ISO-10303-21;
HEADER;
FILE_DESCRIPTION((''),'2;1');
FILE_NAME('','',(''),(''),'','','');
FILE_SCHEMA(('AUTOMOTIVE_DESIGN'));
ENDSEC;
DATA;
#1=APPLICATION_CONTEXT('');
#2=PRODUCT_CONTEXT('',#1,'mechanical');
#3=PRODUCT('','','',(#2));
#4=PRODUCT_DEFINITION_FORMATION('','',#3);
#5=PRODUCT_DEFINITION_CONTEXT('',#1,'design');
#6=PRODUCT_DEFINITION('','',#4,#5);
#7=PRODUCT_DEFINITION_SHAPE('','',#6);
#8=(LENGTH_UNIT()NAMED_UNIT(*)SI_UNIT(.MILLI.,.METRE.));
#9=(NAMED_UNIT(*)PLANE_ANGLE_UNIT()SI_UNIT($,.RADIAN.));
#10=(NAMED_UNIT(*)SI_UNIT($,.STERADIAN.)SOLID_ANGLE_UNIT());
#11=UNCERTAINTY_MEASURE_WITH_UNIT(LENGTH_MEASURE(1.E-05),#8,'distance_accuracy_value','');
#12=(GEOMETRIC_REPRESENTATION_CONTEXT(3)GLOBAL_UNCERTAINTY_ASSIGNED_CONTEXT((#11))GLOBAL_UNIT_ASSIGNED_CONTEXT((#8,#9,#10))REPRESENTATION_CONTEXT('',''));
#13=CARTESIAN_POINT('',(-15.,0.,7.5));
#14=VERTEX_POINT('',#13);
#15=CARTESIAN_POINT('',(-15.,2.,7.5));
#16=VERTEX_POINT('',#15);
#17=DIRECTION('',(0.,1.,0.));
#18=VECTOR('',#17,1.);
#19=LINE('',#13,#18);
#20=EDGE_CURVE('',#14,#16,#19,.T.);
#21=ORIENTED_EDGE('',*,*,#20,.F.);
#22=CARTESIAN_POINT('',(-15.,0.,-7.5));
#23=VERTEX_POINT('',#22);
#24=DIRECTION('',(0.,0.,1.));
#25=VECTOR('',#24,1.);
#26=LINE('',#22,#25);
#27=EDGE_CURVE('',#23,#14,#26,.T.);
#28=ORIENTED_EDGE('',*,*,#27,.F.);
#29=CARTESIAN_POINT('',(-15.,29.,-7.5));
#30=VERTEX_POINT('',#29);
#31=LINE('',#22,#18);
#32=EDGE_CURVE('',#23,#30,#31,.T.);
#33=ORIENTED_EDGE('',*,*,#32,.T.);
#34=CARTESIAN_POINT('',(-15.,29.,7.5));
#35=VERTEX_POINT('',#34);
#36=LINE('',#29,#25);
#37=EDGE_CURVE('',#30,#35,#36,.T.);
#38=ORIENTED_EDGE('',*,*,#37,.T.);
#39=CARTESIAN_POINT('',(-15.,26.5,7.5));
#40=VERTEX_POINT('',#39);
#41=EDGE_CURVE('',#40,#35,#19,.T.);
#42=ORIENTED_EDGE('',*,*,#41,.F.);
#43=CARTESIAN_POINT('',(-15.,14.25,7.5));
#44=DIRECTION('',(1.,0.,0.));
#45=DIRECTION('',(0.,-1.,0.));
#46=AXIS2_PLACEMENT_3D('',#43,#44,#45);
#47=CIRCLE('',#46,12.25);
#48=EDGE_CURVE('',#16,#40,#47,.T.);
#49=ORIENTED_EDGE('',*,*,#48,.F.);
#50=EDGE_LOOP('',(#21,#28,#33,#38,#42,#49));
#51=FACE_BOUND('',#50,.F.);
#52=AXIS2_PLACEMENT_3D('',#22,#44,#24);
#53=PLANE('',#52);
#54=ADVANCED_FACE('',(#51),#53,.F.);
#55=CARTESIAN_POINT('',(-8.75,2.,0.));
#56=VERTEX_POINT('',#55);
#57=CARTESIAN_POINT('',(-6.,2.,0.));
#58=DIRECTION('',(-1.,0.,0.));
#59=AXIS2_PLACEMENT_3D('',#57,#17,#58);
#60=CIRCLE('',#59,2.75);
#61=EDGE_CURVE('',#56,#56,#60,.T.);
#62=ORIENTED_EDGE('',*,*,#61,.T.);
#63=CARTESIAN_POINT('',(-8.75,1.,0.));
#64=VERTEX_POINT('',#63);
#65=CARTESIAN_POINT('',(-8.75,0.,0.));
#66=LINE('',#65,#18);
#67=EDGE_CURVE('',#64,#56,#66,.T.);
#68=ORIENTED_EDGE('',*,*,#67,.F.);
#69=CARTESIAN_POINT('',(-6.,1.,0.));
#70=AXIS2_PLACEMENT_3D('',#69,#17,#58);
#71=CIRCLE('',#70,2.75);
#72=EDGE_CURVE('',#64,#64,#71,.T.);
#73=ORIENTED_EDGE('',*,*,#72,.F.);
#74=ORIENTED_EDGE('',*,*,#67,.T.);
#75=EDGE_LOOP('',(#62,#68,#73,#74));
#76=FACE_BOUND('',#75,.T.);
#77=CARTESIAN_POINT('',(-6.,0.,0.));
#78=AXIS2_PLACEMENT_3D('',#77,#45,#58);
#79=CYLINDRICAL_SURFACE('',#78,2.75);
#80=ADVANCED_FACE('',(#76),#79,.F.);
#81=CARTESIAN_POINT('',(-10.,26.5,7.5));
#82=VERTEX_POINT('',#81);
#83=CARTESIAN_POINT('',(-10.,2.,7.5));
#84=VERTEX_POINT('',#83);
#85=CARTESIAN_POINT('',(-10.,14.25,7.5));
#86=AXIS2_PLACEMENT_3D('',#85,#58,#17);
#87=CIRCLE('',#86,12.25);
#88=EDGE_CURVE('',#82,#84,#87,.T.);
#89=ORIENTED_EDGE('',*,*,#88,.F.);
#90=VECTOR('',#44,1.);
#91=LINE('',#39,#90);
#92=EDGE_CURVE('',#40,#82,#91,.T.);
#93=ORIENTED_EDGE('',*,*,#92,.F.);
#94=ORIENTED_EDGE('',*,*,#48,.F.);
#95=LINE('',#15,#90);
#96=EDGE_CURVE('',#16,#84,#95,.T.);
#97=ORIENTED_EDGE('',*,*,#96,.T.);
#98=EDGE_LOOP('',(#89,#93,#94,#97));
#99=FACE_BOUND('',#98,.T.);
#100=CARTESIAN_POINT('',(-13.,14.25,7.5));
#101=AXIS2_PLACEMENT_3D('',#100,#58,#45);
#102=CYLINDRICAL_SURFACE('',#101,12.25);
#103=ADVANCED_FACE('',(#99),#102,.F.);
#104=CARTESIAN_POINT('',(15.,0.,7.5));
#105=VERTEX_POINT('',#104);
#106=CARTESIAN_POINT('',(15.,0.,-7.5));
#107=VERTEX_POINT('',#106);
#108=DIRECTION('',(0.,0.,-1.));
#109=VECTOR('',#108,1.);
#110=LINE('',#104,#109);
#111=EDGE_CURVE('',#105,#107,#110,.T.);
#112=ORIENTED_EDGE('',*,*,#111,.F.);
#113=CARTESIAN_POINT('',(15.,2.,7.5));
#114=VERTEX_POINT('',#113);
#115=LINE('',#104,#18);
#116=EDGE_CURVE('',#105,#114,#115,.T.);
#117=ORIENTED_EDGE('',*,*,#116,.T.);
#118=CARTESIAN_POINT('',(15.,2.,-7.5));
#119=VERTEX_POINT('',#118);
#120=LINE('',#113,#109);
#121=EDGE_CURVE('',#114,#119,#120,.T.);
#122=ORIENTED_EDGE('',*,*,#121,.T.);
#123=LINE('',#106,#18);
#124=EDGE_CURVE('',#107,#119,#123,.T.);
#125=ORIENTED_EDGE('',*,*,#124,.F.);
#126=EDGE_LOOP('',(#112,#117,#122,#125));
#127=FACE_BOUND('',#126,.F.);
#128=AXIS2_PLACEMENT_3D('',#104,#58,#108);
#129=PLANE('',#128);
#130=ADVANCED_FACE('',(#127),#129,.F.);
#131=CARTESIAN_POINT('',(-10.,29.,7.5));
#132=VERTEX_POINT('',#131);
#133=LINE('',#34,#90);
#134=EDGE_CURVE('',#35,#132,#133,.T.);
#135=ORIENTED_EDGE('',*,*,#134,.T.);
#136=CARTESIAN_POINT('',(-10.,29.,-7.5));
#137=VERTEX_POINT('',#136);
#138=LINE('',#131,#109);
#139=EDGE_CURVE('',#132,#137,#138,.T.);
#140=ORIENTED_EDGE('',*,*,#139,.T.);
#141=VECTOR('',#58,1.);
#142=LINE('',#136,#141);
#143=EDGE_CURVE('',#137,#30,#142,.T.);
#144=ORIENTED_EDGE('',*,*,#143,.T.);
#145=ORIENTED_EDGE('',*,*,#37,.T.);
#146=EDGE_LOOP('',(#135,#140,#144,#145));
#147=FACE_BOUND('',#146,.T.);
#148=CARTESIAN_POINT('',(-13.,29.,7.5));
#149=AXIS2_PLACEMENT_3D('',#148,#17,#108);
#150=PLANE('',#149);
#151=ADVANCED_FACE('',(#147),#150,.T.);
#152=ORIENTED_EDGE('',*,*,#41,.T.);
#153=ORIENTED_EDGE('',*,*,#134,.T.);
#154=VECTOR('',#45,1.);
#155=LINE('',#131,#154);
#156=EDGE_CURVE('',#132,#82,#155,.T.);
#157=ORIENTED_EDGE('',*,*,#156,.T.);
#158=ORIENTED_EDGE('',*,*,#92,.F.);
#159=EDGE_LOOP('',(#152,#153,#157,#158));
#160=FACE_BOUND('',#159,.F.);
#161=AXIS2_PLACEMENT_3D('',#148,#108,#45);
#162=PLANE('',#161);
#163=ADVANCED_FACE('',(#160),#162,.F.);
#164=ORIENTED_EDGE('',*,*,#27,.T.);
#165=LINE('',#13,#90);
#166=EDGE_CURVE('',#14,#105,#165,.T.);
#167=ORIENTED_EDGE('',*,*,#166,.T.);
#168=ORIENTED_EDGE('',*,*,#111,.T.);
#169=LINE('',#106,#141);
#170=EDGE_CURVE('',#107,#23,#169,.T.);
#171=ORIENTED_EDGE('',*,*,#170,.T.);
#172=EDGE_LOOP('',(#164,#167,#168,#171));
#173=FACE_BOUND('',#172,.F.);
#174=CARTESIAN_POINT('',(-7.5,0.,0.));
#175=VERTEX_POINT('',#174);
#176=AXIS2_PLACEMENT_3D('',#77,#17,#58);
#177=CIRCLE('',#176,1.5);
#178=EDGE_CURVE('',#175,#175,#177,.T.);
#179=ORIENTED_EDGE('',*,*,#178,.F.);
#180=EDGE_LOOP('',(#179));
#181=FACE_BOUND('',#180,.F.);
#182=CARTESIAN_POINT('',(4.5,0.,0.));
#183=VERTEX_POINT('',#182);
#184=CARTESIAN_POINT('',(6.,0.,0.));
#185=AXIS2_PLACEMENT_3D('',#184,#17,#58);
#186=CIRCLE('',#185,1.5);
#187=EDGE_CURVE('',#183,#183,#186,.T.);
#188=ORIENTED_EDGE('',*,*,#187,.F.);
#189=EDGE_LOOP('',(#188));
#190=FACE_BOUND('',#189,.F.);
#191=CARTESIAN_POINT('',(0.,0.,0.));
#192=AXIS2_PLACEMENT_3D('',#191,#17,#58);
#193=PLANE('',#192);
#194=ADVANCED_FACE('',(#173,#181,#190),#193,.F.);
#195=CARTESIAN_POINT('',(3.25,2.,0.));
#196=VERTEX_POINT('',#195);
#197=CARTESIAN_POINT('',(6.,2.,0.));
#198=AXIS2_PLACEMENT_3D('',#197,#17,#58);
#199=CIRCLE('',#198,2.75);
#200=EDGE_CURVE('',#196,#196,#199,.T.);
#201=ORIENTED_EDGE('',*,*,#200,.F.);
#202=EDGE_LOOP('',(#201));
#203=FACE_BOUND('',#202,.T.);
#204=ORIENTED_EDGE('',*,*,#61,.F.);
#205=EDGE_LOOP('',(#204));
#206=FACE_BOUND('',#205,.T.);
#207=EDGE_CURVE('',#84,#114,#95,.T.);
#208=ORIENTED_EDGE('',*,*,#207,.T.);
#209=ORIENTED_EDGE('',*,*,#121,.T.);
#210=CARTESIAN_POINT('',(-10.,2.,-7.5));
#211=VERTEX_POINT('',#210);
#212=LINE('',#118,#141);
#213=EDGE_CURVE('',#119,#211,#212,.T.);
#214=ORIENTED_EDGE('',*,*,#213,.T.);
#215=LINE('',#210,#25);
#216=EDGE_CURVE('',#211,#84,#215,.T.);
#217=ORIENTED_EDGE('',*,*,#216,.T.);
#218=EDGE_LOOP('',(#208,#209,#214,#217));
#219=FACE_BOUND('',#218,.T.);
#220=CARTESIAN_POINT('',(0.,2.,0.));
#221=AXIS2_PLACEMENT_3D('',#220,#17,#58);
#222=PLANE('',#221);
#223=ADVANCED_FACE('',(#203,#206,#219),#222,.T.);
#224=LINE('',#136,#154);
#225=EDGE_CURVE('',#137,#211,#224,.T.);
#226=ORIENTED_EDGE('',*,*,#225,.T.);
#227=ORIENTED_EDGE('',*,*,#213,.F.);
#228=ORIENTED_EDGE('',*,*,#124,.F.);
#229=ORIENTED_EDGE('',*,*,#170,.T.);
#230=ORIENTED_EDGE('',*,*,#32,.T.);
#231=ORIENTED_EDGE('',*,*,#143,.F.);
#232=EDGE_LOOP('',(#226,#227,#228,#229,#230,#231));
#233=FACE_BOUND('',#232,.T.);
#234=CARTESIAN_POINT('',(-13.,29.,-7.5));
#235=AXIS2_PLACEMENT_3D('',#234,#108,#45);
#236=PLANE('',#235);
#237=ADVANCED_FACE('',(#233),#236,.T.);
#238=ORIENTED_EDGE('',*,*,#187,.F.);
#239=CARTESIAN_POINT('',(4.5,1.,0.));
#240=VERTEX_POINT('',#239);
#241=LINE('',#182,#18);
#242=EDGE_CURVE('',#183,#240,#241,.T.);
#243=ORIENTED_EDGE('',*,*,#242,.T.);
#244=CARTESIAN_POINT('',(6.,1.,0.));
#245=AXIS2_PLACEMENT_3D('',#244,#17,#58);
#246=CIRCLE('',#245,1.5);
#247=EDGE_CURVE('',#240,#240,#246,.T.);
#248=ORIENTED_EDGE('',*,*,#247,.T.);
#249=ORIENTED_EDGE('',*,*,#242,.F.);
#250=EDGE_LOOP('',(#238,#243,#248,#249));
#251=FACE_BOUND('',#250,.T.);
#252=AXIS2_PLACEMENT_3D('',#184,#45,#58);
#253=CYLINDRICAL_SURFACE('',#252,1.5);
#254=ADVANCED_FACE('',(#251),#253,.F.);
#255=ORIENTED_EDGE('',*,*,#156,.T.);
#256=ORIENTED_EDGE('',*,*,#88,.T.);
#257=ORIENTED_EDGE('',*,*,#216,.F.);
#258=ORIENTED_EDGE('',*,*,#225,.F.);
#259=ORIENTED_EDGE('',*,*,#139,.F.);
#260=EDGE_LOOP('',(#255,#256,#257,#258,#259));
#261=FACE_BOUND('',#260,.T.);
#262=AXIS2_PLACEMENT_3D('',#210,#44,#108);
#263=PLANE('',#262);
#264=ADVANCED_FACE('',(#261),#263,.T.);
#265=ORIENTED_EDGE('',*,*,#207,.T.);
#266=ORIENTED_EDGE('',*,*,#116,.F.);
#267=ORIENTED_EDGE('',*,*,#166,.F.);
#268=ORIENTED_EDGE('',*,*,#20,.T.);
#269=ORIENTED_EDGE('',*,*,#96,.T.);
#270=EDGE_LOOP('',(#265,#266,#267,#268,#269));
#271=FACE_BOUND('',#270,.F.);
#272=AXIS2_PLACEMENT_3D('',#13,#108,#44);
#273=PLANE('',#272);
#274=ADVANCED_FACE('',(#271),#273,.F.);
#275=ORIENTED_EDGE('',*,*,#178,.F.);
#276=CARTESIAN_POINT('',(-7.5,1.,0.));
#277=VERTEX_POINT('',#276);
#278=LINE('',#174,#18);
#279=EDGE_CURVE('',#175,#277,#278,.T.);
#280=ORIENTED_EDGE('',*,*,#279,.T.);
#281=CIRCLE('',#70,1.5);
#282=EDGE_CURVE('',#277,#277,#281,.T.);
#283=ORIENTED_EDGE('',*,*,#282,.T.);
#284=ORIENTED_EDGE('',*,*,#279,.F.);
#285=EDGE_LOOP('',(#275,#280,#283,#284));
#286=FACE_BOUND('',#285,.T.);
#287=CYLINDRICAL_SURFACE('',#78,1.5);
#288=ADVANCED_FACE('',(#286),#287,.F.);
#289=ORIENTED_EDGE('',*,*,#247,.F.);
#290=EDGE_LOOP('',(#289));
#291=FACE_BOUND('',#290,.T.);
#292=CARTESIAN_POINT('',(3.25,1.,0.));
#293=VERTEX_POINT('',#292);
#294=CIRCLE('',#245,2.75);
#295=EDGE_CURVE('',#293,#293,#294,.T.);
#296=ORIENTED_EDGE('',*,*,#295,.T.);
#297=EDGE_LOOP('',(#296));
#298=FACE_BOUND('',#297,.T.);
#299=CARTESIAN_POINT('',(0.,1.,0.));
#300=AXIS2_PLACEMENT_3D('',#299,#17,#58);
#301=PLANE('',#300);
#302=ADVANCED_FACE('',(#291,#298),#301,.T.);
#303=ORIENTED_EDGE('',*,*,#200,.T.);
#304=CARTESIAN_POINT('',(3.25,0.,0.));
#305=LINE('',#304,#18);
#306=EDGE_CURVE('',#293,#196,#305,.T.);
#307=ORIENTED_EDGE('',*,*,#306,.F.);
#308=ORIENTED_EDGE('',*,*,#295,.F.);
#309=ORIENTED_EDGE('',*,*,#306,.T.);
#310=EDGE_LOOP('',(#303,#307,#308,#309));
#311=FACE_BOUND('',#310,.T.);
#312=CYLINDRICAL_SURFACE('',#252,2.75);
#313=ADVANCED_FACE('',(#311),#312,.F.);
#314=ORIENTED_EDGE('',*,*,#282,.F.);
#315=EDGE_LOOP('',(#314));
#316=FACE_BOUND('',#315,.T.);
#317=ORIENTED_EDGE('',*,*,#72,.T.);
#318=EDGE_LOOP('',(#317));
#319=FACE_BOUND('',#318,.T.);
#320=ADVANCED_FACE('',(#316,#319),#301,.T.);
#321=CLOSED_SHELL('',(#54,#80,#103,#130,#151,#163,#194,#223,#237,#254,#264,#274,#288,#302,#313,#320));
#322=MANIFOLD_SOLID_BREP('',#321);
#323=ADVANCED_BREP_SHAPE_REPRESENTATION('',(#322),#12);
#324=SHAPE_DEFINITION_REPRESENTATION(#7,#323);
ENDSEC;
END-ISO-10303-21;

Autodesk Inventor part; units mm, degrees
ref_plane "YZ Plane" through (0, 0, 0) normal (1, 0, 0) x (0, 1, 0)
ref_plane "XZ Plane" through (0, 0, 0) normal (0, 1, 0) x (-1, 0, 0)
ref_plane "XY Plane" through (0, 0, 0) normal (0, 0, 1) x (1, 0, 0)
sketch "Sketch1" plane through (0, 0, 0) normal (0, 1, 0) x (-1, 0, 0)
  line L0 (15, 7.5) -> (-15, 7.5)
  line L1 (-15, 7.5) -> (-15, -7.5)
  line L2 (-15, -7.5) -> (15, -7.5)
  line L3 (15, -7.5) -> (15, 7.5)
  line L4 (15, 7.5) -> (-15, -7.5) construction
  line L5 (-15, 7.5) -> (15, -7.5) construction
  line L6 (15, 7.5) -> (13, 7.5)
  line L7 (13, 7.5) -> (13, -7.5)
  line L8 (13, -7.5) -> (15, -7.5)
  line L9 (15, -7.5) -> (15, 7.5)
  circle A0 centre (6, 0) radius 1.5
  circle A1 centre (6, 0) radius 2.75
  line L10 (0, 7.5) -> (0, -7.5) construction
  circle A2 centre (-6, 0) radius 1.5
  circle A3 centre (-6, 0) radius 2.75
  point P0 (0, 0)
  dimension "d0" = 30
  dimension "d1" = 15
  dimension "d2" = 2
  dimension "d3" = 3
  dimension "d4" = 5.5
  dimension "d5" = 6
extrude "Extrusion1" add sketch "Sketch1" along normal blind 2 contours L7 L2 L1 L0
extrude "Extrusion2" add sketch "Sketch1" along normal blind 1 contours A1 | A3
extrude "Extrusion3" add sketch "Sketch1" along normal blind 29 contours L3 L2 L7 L0
sketch "Sketch2" plane through (-13, 2, -7.5) normal (1, 0, 0) x (0, 0, -1)
  line L0 (-15, 0) -> (-15, 27) projected
  circle A0 centre (-15, 12.25) radius 12.25
  line L1 (-15, 0) -> (0, 0) projected
  point P0 (-7.5, -2)
  point P1 (-15, 24.5)
  dimension "d15" = 24.5
  dimension "d16" = 12.25
extrude "Extrusion4" cut sketch "Sketch2" against normal blind 30 contours L0 A0 picked at (-11.8075, 14.7959)
sketch "Sketch3" plane through (-13, 2, -7.5) normal (1, 0, 0) x (0, 0, -1)
  line L0 (-15, 27) -> (0, 27) projected
  line L1 (-15, 27) -> (0, 27)
  line L2 (0, -2) -> (0, 0) projected
  line L3 (0, 27) -> (0, 0)
  line L4 (0, 0) -> (-15, 0) projected
  line L5 (0, 0) -> (-15, 0)
  arc A0 (-15, 0) -> (-15, 24.5) centre (-15, 12.25) ccw projected
  arc A1 (-15, 24.5) -> (-2.75, 12.25) centre (-15, 12.25) ccw
  line L6 (-15, 27) -> (-15, 24.5)
  line L7 (-15, 0) -> (-15, 24.5)
  point P0 (-7.5, -2)
extrude "Extrusion5" add sketch "Sketch3" along normal blind 3 contours L0 L3 L4 A0 L6
properties part number "Bracket Motor JGA Kanan_3DPrint"
